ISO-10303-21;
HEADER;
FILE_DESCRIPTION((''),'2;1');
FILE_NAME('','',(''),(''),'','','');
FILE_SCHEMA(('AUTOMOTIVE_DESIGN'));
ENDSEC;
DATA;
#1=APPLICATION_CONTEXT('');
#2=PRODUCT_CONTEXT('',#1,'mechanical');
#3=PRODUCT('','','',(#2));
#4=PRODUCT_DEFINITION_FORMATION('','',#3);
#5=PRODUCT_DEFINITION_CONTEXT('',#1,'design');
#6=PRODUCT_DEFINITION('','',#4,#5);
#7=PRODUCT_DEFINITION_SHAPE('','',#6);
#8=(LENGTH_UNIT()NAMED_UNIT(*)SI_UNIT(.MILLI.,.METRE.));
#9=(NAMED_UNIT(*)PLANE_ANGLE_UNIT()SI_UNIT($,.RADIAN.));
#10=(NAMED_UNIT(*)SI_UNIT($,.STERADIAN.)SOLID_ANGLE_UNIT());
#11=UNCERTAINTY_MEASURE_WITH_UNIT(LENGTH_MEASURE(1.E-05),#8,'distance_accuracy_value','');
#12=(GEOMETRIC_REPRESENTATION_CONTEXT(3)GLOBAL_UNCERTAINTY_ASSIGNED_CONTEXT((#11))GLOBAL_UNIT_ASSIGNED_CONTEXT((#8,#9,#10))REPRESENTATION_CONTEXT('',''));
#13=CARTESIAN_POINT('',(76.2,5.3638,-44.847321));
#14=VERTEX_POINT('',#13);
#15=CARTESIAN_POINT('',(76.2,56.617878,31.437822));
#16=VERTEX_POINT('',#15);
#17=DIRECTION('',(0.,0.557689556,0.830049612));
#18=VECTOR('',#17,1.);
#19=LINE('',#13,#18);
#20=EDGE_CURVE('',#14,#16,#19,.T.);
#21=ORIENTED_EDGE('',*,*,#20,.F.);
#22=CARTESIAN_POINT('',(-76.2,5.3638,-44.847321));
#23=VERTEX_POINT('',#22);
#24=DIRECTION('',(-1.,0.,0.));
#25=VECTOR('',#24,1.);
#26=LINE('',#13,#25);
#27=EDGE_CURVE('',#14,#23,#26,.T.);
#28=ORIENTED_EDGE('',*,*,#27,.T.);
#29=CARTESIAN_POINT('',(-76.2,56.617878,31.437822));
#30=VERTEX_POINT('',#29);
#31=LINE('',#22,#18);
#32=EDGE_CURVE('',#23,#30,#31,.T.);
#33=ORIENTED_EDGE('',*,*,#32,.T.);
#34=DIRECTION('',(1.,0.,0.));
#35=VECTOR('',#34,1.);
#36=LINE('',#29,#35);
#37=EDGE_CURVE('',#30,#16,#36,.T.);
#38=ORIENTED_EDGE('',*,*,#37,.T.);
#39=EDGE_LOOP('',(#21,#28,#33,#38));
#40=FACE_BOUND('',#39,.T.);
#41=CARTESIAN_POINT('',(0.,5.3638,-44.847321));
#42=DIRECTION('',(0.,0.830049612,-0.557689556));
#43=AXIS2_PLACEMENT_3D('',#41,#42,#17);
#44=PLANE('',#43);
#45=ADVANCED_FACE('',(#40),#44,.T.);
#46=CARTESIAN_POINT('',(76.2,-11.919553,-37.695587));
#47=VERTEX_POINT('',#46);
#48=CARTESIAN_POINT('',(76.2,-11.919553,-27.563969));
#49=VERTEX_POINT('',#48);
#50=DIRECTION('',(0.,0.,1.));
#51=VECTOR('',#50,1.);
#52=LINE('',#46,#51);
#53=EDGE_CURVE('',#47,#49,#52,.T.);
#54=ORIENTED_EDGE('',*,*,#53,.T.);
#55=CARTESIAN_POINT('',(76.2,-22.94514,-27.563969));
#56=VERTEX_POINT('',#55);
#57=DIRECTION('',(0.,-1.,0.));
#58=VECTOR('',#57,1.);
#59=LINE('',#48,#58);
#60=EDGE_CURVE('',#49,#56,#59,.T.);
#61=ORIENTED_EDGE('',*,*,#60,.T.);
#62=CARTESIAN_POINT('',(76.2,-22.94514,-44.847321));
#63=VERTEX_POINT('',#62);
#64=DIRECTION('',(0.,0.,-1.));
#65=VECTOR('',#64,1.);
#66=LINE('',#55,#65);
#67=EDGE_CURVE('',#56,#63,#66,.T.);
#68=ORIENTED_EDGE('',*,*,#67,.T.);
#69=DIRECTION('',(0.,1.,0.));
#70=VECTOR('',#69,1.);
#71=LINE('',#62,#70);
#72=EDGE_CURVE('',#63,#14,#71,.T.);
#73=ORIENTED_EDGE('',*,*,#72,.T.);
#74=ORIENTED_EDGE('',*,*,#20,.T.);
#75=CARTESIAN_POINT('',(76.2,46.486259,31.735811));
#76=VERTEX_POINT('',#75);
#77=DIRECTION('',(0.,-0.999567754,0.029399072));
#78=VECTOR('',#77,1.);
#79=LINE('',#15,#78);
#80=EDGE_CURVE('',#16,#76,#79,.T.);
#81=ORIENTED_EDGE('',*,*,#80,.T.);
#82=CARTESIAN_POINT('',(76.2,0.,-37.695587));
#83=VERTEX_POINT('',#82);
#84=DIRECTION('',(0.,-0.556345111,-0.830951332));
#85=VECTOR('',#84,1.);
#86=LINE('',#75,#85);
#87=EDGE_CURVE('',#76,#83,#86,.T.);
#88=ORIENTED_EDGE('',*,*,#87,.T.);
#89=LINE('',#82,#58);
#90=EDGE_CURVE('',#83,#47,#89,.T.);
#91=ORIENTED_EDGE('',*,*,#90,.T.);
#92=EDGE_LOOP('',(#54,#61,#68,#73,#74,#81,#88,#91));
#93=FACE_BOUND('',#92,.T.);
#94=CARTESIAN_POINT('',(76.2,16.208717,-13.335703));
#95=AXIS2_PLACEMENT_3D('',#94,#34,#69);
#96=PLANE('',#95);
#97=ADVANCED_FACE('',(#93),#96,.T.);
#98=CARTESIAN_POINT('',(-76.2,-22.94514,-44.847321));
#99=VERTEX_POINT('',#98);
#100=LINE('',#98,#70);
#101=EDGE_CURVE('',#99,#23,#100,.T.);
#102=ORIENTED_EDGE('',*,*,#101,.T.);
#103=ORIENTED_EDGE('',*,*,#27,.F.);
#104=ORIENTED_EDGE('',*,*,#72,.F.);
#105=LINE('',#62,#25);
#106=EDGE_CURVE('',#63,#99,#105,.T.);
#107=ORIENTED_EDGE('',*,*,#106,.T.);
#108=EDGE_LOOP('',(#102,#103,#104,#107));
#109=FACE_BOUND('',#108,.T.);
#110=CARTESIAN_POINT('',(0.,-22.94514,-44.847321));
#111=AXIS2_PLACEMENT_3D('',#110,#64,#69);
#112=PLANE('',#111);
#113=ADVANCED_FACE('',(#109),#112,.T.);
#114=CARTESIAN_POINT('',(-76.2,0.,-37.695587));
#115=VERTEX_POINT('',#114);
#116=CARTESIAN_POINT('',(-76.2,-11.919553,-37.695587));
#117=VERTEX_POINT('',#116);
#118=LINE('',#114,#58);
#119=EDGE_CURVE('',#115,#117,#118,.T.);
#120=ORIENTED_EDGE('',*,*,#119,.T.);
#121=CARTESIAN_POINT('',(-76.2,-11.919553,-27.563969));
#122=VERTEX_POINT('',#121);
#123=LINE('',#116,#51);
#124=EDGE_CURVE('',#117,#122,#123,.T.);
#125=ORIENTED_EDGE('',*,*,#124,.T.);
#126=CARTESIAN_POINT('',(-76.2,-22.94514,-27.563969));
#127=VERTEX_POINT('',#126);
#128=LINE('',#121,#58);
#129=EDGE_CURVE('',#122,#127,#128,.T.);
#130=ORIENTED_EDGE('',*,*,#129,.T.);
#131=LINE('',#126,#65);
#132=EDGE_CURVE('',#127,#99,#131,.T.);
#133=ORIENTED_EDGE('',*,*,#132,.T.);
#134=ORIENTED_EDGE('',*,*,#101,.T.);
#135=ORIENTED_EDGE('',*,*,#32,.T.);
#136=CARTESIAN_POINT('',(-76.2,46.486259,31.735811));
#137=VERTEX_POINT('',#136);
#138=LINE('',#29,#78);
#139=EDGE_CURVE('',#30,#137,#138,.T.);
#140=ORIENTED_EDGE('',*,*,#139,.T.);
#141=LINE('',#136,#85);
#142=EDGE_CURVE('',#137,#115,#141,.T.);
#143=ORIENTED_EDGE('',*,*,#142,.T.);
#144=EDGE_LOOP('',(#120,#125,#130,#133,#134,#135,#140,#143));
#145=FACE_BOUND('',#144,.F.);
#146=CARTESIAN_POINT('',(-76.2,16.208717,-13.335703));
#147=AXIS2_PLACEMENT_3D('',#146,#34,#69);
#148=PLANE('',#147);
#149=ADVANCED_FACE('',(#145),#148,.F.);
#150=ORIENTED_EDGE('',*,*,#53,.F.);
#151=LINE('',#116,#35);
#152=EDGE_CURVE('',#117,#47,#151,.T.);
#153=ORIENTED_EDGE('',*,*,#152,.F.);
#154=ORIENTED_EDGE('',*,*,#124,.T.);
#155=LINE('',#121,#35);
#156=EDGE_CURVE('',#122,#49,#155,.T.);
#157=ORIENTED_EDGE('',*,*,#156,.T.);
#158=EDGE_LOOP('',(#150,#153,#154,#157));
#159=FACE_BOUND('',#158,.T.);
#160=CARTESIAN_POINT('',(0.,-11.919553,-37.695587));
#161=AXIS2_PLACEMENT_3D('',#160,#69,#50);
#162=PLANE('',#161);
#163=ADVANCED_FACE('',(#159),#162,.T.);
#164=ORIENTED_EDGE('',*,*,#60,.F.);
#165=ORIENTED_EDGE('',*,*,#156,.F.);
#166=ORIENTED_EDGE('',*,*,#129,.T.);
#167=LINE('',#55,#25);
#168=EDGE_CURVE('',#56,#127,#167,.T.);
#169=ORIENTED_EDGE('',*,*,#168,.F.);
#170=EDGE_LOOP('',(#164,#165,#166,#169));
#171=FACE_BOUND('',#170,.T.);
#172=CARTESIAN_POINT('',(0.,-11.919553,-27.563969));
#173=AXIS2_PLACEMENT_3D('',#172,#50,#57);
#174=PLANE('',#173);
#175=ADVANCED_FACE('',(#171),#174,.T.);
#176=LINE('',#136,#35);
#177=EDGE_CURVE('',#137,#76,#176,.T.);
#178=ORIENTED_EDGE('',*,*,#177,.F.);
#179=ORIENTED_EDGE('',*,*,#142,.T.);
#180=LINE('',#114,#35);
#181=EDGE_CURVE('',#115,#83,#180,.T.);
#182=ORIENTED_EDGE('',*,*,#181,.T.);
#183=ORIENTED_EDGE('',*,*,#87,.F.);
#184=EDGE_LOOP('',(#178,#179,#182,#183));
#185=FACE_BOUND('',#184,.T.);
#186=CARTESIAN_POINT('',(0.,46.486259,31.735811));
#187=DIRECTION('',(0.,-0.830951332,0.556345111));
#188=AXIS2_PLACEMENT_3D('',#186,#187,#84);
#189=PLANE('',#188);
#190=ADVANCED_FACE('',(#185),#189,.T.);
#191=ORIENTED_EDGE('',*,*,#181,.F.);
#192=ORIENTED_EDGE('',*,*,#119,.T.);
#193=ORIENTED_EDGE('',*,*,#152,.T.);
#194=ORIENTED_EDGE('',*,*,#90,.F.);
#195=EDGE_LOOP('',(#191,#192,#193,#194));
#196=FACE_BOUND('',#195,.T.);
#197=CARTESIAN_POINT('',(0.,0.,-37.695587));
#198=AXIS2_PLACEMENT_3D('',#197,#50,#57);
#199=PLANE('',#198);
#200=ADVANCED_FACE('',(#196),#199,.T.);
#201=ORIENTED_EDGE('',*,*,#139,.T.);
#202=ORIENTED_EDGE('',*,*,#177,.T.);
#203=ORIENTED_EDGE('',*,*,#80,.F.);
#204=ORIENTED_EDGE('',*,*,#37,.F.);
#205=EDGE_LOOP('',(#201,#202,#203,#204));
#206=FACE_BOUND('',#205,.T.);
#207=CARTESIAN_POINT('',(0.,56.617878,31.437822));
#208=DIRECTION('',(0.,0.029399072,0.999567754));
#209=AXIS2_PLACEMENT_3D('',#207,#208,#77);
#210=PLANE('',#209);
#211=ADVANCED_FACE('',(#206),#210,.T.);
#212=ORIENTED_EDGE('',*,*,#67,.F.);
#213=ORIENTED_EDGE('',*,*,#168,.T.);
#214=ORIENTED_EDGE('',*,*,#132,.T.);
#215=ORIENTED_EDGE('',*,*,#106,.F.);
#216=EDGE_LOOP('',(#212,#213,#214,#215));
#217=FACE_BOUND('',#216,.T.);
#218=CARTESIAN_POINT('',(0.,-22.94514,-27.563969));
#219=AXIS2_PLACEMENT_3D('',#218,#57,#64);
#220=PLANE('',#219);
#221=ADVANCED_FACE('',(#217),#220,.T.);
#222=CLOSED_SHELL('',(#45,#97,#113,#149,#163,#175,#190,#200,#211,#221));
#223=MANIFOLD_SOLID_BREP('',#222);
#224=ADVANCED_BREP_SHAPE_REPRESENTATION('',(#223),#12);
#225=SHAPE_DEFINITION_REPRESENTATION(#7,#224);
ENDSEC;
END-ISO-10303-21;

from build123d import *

# Parameters (mm, degrees)
F1_DEPTH      = 76.2
F1_DEPTH_BACK = 76.2


with BuildPart() as f1:
    # F0 (on Right) → F1 (new body, two sides)
    with BuildSketch(Plane.YZ) as f1_sk:
        Polygon((5.3638, -44.847321), (56.617878, 31.437822), (46.486259, 31.735811), (0, -37.695587), (-11.919553, -37.695587), (-11.919553, -27.563969), (-22.94514, -27.563969), (-22.94514, -44.847321), align=None)
    extrude(amount=F1_DEPTH)
    extrude(f1_sk.sketch, amount=-F1_DEPTH_BACK)


solid = f1.part
